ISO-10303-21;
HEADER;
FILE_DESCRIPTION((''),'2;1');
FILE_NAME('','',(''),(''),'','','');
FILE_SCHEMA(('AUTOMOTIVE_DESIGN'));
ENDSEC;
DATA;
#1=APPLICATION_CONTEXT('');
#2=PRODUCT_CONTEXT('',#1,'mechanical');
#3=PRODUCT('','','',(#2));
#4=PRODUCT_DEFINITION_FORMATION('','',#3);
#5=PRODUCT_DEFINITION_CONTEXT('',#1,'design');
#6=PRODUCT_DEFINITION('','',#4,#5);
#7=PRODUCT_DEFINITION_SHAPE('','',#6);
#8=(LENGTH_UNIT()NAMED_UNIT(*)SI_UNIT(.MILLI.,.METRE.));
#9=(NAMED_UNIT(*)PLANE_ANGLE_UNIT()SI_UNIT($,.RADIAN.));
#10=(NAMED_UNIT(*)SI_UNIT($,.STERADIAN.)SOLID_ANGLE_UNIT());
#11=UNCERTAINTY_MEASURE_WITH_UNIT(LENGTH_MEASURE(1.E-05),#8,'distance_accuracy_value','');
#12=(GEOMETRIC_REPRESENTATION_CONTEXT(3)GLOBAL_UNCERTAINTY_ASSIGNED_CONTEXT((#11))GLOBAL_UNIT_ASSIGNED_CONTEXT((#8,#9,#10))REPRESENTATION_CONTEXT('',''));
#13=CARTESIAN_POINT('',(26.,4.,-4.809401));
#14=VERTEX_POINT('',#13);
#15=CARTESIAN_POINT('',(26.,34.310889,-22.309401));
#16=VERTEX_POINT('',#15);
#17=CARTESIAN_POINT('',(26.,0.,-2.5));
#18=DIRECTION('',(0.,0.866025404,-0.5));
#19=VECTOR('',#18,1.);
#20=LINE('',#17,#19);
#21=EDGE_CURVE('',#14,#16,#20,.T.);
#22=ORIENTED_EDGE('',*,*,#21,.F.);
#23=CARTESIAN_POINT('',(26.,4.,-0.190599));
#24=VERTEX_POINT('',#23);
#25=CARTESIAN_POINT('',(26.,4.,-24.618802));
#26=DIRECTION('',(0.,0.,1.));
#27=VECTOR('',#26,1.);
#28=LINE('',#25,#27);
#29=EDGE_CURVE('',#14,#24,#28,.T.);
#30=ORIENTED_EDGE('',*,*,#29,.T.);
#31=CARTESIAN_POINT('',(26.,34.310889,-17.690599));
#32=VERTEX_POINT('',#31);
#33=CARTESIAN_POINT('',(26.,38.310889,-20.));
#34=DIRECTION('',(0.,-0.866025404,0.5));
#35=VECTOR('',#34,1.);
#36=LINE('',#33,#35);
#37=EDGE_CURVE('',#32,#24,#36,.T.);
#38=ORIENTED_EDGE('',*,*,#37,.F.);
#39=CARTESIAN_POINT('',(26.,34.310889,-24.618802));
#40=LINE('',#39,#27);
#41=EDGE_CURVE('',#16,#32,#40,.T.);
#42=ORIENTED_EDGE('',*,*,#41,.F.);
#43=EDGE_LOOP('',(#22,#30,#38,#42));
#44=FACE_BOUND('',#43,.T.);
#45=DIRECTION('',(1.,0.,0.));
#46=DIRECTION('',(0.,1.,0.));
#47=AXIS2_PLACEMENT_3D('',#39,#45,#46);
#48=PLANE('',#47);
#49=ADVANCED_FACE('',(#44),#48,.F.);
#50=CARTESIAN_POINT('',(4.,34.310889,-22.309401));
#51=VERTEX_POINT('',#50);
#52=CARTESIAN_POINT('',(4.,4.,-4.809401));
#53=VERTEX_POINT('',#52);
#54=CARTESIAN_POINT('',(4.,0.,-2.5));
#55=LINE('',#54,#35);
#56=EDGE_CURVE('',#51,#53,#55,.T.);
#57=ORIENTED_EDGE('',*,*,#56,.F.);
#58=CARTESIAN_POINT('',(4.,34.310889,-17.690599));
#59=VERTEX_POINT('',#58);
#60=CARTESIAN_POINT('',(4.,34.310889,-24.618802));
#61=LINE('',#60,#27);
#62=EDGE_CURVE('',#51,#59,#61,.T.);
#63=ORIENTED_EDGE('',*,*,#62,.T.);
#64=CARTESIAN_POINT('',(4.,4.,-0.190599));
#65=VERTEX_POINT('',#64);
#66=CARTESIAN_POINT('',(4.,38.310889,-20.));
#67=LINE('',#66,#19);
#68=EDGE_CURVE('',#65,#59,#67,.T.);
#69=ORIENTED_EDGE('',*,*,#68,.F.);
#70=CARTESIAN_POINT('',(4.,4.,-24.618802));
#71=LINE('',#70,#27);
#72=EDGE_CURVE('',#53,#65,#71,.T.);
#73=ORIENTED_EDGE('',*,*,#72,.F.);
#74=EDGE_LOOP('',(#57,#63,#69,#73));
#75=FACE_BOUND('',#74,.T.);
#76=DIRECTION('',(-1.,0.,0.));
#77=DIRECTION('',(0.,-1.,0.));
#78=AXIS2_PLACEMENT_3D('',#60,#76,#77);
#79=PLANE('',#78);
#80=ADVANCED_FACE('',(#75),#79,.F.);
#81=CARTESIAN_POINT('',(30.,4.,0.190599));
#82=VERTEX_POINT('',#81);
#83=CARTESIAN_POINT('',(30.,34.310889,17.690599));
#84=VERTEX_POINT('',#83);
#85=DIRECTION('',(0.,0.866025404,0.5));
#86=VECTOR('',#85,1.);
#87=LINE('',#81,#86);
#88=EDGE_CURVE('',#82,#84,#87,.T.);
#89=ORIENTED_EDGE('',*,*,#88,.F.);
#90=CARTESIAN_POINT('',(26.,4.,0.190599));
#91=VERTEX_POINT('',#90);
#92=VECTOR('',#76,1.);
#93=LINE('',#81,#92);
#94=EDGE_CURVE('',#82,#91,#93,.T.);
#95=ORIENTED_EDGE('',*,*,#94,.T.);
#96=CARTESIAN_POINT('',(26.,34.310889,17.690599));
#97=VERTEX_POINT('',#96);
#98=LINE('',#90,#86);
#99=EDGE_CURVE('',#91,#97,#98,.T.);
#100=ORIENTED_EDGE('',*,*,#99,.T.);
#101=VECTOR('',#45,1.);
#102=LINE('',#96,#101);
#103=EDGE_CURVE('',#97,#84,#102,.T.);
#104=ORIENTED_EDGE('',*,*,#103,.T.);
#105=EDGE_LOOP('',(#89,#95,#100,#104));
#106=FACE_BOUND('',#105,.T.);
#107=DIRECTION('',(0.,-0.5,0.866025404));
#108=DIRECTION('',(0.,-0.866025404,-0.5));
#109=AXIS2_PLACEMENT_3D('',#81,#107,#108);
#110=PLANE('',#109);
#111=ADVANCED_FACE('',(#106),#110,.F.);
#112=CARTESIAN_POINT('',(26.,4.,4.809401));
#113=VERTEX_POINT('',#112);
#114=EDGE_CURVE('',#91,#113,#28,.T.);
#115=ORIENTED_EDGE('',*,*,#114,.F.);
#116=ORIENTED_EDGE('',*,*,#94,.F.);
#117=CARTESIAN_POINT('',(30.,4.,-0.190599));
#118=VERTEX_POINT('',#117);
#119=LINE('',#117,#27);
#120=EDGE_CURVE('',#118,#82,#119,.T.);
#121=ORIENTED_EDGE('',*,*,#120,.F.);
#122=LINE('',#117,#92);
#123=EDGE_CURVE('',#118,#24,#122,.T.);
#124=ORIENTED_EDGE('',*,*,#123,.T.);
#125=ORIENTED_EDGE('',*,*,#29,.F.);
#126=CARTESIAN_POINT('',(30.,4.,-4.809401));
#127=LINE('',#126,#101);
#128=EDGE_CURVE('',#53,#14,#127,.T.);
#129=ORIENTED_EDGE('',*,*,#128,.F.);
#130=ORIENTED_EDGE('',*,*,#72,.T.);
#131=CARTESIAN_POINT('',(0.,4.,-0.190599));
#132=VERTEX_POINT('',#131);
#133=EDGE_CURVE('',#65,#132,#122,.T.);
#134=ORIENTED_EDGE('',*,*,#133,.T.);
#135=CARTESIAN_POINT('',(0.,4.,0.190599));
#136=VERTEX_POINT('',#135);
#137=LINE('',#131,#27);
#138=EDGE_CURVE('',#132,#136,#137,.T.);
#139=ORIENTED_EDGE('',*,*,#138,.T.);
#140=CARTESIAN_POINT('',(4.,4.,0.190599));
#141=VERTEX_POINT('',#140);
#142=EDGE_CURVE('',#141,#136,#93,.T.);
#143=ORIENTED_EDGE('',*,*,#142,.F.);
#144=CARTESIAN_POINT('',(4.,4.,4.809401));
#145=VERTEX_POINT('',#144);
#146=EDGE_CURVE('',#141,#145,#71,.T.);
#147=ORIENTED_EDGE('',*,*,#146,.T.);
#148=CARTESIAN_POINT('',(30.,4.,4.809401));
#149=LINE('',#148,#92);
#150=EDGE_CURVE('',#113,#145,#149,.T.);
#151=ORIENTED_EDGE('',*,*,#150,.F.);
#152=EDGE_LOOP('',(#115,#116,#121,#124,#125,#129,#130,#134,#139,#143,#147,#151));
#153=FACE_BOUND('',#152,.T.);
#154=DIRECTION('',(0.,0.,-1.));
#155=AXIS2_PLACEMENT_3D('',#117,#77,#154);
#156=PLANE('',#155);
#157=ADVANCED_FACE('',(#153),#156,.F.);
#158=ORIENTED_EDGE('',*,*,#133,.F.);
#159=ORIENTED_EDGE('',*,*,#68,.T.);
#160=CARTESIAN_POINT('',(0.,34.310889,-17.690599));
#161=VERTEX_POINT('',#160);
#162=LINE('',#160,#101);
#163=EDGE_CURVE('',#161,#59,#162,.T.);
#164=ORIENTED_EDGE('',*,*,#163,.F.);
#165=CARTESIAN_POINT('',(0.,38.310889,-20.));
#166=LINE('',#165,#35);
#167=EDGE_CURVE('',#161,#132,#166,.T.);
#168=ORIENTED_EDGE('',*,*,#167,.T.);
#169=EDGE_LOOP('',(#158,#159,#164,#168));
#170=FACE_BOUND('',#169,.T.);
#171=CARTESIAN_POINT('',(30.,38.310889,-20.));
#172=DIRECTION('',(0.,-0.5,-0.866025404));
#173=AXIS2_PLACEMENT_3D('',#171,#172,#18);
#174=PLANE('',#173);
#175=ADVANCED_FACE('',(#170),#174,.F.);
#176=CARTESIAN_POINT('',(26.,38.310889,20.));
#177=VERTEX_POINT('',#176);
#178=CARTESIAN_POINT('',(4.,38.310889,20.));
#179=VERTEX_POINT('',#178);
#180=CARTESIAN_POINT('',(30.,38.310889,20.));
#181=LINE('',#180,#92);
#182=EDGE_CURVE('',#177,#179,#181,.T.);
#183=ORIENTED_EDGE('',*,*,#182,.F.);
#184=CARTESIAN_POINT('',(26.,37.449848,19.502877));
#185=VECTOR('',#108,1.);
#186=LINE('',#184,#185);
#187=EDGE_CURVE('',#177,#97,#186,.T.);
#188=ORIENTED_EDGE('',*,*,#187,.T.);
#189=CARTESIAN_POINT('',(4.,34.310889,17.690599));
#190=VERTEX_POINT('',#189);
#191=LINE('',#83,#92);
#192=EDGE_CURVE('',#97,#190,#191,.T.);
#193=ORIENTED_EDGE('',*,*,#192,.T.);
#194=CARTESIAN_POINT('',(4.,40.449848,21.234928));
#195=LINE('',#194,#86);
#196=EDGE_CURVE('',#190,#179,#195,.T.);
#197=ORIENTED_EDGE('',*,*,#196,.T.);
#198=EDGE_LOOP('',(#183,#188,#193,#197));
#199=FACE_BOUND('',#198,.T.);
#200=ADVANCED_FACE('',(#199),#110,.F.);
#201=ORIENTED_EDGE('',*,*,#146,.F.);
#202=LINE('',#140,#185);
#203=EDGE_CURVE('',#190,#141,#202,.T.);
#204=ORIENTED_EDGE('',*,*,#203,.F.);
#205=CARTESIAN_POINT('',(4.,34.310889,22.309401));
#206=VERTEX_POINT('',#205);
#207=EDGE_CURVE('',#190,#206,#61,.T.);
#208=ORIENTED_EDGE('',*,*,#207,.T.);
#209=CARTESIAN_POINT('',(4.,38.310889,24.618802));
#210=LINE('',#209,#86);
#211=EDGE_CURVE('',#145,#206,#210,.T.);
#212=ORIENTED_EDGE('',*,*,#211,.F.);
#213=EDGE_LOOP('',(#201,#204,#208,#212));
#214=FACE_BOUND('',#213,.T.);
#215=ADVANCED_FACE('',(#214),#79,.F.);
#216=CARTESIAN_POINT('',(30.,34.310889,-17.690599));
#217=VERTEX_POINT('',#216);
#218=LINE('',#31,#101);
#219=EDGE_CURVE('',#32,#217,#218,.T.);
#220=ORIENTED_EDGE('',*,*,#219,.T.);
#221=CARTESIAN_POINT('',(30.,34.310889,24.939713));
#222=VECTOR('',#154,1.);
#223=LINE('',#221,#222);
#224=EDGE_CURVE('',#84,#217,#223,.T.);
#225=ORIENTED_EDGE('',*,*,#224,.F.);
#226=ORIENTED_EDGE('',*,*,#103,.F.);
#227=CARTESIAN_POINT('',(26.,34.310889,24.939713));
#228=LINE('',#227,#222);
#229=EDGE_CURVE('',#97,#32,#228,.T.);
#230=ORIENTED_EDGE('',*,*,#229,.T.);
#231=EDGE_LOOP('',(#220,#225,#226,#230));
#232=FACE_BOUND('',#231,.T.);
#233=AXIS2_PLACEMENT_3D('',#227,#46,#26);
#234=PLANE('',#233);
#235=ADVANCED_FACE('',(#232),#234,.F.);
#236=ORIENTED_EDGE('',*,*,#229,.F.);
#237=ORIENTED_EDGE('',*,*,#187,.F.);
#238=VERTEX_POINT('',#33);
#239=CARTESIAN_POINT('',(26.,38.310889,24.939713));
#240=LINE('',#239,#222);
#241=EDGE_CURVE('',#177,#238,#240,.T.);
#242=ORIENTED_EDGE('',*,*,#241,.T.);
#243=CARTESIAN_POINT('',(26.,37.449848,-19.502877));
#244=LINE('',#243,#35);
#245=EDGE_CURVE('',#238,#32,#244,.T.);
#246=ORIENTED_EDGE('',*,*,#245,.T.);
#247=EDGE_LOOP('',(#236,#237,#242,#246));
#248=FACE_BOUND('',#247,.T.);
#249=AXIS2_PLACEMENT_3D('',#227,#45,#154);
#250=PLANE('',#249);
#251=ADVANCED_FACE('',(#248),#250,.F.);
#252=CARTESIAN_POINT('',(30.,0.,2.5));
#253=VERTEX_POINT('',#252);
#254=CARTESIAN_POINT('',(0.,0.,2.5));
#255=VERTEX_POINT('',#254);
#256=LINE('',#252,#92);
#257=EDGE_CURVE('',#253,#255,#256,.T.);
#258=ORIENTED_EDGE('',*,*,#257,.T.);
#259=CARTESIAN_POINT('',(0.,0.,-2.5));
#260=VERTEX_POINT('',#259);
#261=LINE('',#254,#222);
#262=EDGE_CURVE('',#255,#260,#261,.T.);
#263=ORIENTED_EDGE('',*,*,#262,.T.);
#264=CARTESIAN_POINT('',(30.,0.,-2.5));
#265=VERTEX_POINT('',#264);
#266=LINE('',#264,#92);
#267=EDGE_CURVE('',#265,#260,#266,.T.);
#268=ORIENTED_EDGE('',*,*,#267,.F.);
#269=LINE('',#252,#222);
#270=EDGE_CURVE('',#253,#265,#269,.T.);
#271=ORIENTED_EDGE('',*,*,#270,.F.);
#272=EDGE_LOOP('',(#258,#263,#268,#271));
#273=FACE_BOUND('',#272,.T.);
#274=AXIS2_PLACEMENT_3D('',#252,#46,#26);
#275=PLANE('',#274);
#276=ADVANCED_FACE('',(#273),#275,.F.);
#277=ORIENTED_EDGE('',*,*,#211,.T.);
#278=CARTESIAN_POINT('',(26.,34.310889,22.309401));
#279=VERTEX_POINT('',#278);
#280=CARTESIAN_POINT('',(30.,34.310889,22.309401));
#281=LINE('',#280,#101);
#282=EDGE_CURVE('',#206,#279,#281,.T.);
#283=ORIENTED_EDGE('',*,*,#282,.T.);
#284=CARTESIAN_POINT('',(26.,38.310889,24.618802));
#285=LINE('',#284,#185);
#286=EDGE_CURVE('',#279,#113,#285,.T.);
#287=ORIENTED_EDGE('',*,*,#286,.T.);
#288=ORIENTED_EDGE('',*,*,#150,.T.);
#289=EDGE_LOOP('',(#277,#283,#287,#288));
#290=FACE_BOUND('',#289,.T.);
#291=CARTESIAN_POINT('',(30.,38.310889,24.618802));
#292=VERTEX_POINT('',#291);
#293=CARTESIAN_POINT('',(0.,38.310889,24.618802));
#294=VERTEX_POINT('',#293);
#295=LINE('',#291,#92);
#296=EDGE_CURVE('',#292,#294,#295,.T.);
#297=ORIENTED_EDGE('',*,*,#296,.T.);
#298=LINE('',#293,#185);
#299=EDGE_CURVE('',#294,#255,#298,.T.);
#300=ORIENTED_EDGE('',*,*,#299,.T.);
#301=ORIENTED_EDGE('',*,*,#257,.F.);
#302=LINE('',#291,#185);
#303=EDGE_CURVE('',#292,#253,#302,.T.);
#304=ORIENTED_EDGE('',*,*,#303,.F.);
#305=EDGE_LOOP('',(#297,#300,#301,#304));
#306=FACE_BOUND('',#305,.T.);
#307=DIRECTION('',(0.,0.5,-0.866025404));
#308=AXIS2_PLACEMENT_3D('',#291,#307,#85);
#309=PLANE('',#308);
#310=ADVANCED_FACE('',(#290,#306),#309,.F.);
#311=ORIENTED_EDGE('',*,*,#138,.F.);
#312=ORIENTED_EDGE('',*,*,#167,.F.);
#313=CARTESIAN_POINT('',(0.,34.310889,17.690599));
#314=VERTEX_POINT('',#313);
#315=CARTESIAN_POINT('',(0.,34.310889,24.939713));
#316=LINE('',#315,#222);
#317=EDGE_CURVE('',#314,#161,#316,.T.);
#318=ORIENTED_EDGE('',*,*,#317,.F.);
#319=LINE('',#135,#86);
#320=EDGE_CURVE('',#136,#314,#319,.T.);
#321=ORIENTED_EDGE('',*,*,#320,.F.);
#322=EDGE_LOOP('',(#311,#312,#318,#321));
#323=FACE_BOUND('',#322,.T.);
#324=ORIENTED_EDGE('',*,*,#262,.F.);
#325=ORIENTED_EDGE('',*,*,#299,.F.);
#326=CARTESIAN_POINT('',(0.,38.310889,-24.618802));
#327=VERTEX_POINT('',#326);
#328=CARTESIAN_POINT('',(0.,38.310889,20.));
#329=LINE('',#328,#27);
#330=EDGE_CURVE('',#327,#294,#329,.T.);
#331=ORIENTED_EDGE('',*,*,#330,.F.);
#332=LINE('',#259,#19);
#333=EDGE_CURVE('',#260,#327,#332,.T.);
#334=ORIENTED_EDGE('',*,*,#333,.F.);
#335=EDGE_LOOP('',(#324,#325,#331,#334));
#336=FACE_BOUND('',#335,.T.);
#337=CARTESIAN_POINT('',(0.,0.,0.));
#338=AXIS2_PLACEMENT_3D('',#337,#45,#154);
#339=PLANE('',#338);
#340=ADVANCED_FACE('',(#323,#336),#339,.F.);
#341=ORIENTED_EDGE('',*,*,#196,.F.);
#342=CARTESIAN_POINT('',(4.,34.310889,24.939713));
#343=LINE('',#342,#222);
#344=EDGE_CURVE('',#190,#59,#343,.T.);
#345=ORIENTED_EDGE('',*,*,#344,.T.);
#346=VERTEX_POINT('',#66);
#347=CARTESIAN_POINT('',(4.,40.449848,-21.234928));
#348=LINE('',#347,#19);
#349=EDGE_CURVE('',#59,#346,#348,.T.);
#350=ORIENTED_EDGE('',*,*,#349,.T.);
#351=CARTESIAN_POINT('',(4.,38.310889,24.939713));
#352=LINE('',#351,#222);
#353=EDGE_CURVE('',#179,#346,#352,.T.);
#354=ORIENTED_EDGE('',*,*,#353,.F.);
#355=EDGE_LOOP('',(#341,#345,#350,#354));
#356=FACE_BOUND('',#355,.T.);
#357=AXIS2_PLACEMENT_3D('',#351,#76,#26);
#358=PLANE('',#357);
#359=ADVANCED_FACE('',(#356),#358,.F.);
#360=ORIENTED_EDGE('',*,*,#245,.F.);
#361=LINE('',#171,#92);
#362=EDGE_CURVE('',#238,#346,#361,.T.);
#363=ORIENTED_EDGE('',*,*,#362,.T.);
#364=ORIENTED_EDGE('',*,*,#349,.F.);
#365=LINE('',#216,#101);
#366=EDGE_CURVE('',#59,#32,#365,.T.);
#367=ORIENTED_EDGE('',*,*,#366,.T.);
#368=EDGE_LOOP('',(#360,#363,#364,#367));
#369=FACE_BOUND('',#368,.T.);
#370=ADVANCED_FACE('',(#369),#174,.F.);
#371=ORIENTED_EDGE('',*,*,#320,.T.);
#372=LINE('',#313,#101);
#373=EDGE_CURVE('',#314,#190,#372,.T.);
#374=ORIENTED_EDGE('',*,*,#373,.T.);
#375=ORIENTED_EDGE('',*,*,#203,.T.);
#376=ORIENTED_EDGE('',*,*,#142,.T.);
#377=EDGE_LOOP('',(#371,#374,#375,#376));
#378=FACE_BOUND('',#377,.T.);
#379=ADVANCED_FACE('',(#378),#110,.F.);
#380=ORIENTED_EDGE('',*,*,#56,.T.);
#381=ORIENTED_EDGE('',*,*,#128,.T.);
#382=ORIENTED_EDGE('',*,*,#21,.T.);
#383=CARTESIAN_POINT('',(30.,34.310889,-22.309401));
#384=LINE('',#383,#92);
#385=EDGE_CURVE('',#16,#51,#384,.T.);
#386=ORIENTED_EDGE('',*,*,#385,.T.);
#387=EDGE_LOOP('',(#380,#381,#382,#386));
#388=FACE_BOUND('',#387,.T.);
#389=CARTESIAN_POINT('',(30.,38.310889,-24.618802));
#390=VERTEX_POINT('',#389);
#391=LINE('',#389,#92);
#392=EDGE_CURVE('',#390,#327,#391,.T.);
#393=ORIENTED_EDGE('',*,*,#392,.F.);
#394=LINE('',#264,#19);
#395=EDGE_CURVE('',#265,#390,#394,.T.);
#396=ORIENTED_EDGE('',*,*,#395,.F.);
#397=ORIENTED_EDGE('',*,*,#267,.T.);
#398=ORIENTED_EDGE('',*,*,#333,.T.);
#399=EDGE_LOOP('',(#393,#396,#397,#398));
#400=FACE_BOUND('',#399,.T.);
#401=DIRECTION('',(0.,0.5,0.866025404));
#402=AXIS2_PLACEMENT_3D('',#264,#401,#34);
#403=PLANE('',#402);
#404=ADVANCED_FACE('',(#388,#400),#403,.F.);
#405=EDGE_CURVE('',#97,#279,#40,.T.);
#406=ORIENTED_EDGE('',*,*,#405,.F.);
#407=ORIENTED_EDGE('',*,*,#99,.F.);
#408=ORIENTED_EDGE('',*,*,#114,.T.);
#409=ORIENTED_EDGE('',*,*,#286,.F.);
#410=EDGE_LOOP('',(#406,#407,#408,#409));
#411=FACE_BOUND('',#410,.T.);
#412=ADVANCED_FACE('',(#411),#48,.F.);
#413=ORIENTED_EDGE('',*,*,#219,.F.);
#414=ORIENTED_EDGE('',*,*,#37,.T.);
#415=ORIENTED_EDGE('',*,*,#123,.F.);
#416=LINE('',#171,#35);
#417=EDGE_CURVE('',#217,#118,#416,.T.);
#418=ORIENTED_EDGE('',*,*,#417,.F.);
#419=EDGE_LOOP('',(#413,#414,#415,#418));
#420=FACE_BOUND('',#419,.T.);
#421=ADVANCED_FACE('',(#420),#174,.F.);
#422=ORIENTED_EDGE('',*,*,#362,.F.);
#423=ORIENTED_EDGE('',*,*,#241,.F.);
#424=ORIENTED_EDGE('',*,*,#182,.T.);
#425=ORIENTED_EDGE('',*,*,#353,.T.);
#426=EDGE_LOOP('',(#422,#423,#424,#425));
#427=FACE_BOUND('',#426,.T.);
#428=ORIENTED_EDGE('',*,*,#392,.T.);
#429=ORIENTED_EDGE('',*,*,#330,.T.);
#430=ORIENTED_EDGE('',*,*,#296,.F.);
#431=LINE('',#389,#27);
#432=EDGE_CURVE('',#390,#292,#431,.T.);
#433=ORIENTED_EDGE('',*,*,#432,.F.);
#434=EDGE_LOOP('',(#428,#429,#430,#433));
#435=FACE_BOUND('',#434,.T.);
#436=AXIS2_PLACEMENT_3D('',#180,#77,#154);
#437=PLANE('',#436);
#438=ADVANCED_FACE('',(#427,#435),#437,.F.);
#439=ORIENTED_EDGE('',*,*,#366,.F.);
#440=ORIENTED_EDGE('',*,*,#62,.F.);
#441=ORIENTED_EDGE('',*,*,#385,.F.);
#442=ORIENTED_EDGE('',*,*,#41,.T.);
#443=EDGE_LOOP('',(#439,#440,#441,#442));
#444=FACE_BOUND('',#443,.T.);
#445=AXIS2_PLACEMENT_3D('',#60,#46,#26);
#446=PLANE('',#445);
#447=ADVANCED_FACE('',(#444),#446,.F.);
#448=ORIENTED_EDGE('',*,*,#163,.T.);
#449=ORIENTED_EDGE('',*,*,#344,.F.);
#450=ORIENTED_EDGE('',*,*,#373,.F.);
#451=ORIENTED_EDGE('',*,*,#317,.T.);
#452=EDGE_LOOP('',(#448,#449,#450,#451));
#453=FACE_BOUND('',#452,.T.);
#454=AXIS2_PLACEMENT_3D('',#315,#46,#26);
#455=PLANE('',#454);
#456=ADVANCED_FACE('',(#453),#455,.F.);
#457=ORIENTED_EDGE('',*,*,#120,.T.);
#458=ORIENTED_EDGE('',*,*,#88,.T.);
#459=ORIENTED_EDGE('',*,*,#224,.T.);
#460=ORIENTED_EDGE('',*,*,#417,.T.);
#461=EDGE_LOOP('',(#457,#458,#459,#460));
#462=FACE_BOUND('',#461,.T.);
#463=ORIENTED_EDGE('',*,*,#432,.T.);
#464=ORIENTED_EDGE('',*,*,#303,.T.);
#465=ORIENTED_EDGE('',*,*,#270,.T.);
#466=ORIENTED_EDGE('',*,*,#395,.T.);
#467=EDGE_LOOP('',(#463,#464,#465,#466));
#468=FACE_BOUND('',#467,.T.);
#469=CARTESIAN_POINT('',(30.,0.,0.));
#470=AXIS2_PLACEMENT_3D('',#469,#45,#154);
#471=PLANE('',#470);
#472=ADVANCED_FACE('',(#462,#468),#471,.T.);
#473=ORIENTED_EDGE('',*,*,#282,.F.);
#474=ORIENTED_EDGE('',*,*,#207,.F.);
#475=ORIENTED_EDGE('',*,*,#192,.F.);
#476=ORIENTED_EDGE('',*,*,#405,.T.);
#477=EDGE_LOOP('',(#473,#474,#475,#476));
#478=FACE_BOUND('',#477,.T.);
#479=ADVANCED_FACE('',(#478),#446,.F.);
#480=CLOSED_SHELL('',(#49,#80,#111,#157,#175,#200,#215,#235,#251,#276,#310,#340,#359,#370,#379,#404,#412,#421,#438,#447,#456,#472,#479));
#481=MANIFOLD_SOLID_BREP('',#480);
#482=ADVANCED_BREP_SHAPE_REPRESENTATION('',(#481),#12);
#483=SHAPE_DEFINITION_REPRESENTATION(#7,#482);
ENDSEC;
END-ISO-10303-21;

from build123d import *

# Parameters (mm, degrees)
BOSS_EXTRUDE2_DEPTH             = 30
CUT_EXTRUDE1_DEPTH              = 55.53264752
CUT_EXTRUDE1_DEPTH_BACK         = 55.53264752
SKETCH3_W                       = 22
SKETCH3_H                       = 30.310889132
BOSS_EXTRUDE3_REACH             = 56.533
SKETCH4_W                       = 4
SKETCH4_H                       = 4
BOSS_EXTRUDE3_DIRECTION_2_REACH = 56.533


with BuildPart() as part:
    # Sketch2 → Boss-Extrude2 (new body)
    with BuildSketch(Plane(origin=(0, 0, 0), x_dir=(0, 0, -1), z_dir=(1, 0, 0))):
        Polygon((-2.5, 0), (2.5, 0), (24.618802154, 38.310889132), (20, 38.310889132), (0.190598923, 4), (-0.190598923, 4), (-20, 38.310889132), (-24.618802154, 38.310889132), align=None)
    extrude(amount=BOSS_EXTRUDE2_DEPTH)

    # Sketch3 → Cut-Extrude1 (cut, two sides: drawn at the far end of the back side and taken through both)
    with BuildSketch(Plane.XY.offset(-CUT_EXTRUDE1_DEPTH_BACK)):
        with Locations((15, 19.155444566)):
            Rectangle(SKETCH3_W, SKETCH3_H)
    extrude(amount=CUT_EXTRUDE1_DEPTH + CUT_EXTRUDE1_DEPTH_BACK, mode=Mode.SUBTRACT)

    # Boss-Extrude3: up to this plane
    boss_extrude3_end = Plane(origin=(30, 4, 0.190598923), z_dir=(0, -0.49999999999999795, 0.8660254037844398))
    # Sketch4 → Boss-Extrude3 (add, up to the surface)
    with BuildSketch(Plane.XY, mode=Mode.PRIVATE) as boss_extrude3_sk1:
        with Locations((2, 36.310889132)):
            Rectangle(SKETCH4_W, SKETCH4_H)
    boss_extrude3_tool1 = split(extrude(boss_extrude3_sk1.sketch, amount=BOSS_EXTRUDE3_REACH, mode=Mode.PRIVATE), bisect_by=boss_extrude3_end, keep=Keep.BOTH, mode=Mode.PRIVATE)
    add(boss_extrude3_tool1.solids().sort_by_distance((2, 36.310889, 0))[0])
    # Sketch4 → Boss-Extrude3 (add, up to the surface)
    with BuildSketch(Plane.XY, mode=Mode.PRIVATE) as boss_extrude3_sk2:
        with Locations((28, 36.310889132)):
            Rectangle(SKETCH4_W, SKETCH4_H)
    boss_extrude3_tool2 = split(extrude(boss_extrude3_sk2.sketch, amount=BOSS_EXTRUDE3_REACH, mode=Mode.PRIVATE), bisect_by=boss_extrude3_end, keep=Keep.BOTH, mode=Mode.PRIVATE)
    add(boss_extrude3_tool2.solids().sort_by_distance((28, 36.310889, 0))[0])

    # Boss-Extrude3 direction 2: up to this plane
    boss_extrude3_direction_2_end = Plane(origin=(30, 38.310889132, -20), z_dir=(0, -0.49999999999999756, -0.8660254037844402))
    # Sketch4 → Boss-Extrude3 direction 2 (add, up to the surface)
    with BuildSketch(Plane.XY, mode=Mode.PRIVATE) as boss_extrude3_direction_2_sk1:
        with Locations((2, 36.310889132)):
            Rectangle(SKETCH4_W, SKETCH4_H)
    boss_extrude3_direction_2_tool1 = split(extrude(boss_extrude3_direction_2_sk1.sketch, amount=-BOSS_EXTRUDE3_DIRECTION_2_REACH, mode=Mode.PRIVATE), bisect_by=boss_extrude3_direction_2_end, keep=Keep.BOTH, mode=Mode.PRIVATE)
    add(boss_extrude3_direction_2_tool1.solids().sort_by_distance((2, 36.310889, 0))[0])
    # Sketch4 → Boss-Extrude3 direction 2 (add, up to the surface)
    with BuildSketch(Plane.XY, mode=Mode.PRIVATE) as boss_extrude3_direction_2_sk2:
        with Locations((28, 36.310889132)):
            Rectangle(SKETCH4_W, SKETCH4_H)
    boss_extrude3_direction_2_tool2 = split(extrude(boss_extrude3_direction_2_sk2.sketch, amount=-BOSS_EXTRUDE3_DIRECTION_2_REACH, mode=Mode.PRIVATE), bisect_by=boss_extrude3_direction_2_end, keep=Keep.BOTH, mode=Mode.PRIVATE)
    add(boss_extrude3_direction_2_tool2.solids().sort_by_distance((28, 36.310889, 0))[0])


solid = part.part
